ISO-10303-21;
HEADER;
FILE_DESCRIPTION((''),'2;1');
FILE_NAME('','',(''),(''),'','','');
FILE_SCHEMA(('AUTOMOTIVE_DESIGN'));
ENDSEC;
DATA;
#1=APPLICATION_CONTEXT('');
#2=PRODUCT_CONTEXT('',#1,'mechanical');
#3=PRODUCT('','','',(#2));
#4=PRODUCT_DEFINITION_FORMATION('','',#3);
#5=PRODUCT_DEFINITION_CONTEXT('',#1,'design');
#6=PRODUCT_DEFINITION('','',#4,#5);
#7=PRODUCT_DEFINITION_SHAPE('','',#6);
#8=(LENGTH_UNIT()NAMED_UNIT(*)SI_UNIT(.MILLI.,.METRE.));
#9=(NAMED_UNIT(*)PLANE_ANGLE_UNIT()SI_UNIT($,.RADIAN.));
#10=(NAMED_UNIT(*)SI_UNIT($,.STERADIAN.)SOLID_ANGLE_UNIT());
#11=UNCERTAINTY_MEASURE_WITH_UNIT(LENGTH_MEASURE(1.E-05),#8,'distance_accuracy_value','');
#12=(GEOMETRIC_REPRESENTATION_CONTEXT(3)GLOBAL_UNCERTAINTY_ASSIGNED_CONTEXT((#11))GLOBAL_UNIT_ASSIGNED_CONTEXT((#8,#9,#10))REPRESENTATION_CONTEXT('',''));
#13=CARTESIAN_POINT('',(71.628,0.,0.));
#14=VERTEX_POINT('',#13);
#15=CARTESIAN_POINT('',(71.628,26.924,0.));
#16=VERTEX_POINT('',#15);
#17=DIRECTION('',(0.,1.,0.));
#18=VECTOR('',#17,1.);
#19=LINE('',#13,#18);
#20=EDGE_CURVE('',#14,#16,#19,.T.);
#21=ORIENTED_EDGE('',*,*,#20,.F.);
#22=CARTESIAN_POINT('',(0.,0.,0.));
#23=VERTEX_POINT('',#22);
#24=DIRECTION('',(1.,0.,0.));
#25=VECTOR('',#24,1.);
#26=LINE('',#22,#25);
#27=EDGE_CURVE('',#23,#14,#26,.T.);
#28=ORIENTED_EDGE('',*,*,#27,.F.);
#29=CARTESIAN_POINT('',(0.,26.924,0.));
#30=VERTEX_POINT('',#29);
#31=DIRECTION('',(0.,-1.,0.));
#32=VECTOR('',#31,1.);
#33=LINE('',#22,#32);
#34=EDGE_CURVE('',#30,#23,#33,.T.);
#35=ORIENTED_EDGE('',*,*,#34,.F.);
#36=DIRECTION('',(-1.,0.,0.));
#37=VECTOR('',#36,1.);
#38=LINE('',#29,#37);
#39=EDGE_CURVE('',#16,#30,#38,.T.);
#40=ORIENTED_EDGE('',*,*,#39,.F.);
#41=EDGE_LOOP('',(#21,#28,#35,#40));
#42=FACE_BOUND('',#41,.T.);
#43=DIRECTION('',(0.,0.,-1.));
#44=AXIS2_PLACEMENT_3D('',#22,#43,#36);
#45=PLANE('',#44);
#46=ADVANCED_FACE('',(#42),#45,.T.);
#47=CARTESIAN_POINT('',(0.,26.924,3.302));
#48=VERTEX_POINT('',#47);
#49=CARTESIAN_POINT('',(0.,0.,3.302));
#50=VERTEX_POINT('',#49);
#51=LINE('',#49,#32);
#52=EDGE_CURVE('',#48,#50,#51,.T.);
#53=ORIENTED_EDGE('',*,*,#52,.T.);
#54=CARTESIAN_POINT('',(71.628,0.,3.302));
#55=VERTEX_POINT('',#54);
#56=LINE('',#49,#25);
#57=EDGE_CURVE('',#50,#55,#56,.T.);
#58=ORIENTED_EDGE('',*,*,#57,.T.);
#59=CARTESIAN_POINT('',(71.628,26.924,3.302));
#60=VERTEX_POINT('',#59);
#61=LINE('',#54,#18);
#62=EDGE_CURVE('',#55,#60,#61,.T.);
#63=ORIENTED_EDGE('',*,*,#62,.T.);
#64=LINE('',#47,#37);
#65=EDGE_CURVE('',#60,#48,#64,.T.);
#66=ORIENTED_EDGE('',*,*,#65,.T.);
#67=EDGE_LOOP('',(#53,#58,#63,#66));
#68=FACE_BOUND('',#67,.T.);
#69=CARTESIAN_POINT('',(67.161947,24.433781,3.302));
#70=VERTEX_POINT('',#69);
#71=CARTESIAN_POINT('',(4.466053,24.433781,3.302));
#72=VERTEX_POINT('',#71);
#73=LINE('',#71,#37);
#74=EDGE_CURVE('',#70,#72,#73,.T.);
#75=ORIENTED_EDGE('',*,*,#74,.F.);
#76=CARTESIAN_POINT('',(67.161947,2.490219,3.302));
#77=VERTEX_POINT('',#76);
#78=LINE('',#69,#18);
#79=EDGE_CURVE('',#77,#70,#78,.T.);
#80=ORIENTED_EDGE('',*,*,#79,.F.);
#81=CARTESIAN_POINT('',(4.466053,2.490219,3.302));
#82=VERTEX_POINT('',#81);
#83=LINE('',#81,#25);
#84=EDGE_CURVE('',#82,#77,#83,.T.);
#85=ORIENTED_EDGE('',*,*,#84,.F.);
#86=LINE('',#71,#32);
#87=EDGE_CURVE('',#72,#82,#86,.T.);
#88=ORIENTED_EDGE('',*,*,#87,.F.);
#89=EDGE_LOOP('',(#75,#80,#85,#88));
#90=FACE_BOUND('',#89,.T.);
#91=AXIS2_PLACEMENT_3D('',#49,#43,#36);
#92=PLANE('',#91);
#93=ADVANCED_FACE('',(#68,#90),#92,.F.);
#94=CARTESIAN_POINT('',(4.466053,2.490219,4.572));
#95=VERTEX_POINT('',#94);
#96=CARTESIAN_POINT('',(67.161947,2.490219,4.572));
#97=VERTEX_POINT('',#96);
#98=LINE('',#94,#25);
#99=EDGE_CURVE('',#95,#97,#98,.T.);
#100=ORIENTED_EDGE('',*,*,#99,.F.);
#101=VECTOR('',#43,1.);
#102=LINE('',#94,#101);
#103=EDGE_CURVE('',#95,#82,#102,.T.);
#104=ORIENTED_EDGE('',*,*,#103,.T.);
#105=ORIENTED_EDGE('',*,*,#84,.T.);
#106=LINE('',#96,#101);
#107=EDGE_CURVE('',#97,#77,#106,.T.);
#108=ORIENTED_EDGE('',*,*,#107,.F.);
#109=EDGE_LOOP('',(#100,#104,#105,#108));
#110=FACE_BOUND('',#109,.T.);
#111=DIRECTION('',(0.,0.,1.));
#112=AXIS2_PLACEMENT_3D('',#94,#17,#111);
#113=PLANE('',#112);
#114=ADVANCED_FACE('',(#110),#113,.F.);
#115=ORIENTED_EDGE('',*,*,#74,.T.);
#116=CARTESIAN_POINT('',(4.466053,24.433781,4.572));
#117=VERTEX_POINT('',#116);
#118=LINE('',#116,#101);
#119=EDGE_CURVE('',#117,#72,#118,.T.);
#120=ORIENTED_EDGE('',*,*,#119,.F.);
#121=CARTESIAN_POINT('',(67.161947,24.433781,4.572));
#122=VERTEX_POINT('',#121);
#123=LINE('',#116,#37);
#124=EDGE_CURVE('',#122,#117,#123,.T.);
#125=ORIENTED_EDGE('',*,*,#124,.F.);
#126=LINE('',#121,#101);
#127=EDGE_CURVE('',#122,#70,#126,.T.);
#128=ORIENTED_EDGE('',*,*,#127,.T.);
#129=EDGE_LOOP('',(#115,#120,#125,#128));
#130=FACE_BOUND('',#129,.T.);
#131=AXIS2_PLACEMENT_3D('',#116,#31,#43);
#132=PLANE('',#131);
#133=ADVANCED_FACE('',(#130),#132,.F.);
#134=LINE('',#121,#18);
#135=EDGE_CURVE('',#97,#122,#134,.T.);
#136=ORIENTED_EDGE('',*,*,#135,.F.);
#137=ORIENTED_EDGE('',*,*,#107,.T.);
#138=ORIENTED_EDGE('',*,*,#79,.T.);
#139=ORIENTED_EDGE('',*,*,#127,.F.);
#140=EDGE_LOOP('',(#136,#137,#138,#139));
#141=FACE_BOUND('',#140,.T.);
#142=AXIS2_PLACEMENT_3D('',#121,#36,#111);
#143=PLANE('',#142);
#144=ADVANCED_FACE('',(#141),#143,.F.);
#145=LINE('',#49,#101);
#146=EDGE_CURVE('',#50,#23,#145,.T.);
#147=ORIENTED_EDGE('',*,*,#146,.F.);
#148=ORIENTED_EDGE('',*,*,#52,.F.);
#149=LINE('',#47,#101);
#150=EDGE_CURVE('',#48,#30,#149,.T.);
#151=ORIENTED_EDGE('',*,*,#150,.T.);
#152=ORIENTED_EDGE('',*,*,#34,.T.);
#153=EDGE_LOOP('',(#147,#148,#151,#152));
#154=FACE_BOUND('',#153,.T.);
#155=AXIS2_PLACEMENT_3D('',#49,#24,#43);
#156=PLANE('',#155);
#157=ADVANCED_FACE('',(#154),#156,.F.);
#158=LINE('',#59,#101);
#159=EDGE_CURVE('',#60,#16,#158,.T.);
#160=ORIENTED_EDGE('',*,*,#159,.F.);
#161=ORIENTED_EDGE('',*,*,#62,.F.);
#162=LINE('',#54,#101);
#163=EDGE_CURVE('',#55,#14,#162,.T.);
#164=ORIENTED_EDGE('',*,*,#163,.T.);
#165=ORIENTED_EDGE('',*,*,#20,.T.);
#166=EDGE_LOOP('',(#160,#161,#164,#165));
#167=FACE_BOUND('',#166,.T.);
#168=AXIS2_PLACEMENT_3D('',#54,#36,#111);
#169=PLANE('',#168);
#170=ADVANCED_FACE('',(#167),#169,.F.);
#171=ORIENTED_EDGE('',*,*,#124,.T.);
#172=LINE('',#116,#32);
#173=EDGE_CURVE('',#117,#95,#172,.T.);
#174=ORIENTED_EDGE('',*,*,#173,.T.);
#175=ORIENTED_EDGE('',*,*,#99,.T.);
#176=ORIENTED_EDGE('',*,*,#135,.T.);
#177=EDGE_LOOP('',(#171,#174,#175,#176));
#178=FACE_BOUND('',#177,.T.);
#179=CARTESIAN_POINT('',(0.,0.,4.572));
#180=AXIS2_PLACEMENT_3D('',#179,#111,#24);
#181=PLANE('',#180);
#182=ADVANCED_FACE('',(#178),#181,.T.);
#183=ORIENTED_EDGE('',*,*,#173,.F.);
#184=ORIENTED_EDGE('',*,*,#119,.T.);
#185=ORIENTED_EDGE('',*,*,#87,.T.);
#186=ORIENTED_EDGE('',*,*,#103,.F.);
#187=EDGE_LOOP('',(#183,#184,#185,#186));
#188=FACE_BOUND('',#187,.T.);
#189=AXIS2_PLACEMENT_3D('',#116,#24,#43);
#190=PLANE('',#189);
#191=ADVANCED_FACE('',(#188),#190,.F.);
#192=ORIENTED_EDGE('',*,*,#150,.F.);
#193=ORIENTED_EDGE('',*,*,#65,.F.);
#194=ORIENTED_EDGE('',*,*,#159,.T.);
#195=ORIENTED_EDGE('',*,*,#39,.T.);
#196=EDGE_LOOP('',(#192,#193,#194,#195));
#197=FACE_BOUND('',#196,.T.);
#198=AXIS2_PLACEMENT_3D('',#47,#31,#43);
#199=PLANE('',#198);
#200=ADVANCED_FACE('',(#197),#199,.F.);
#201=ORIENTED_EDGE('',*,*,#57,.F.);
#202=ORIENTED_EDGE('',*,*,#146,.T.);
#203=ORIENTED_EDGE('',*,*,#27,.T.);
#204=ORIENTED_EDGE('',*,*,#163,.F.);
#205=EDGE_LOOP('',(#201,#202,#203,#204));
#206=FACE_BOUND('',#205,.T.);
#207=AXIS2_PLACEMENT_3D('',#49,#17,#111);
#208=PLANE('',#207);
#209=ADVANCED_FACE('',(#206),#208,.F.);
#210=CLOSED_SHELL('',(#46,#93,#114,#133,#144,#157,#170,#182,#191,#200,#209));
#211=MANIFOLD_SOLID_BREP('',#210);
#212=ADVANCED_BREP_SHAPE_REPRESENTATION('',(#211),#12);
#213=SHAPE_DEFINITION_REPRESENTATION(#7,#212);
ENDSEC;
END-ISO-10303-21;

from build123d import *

# Parameters (mm, degrees)
SKETCH1_W           = 71.628
SKETCH1_H           = 26.924
BOSS_EXTRUDE1_DEPTH = 3.302
SKETCH2_W           = 62.695893944
SKETCH2_H           = 21.94356288
BOSS_EXTRUDE2_DEPTH = 1.27


with BuildPart() as part:
    # Sketch1 → Boss-Extrude1 (new body)
    with BuildSketch(Plane.XY):
        with Locations((35.814, 13.462)):
            Rectangle(SKETCH1_W, SKETCH1_H)
    extrude(amount=BOSS_EXTRUDE1_DEPTH)

    # Sketch2 → Boss-Extrude2 (add)
    with BuildSketch(Plane.XY.offset(3.302)):
        with Locations((35.814, 13.462)):
            Rectangle(SKETCH2_W, SKETCH2_H)
    extrude(amount=BOSS_EXTRUDE2_DEPTH)


solid = part.part
